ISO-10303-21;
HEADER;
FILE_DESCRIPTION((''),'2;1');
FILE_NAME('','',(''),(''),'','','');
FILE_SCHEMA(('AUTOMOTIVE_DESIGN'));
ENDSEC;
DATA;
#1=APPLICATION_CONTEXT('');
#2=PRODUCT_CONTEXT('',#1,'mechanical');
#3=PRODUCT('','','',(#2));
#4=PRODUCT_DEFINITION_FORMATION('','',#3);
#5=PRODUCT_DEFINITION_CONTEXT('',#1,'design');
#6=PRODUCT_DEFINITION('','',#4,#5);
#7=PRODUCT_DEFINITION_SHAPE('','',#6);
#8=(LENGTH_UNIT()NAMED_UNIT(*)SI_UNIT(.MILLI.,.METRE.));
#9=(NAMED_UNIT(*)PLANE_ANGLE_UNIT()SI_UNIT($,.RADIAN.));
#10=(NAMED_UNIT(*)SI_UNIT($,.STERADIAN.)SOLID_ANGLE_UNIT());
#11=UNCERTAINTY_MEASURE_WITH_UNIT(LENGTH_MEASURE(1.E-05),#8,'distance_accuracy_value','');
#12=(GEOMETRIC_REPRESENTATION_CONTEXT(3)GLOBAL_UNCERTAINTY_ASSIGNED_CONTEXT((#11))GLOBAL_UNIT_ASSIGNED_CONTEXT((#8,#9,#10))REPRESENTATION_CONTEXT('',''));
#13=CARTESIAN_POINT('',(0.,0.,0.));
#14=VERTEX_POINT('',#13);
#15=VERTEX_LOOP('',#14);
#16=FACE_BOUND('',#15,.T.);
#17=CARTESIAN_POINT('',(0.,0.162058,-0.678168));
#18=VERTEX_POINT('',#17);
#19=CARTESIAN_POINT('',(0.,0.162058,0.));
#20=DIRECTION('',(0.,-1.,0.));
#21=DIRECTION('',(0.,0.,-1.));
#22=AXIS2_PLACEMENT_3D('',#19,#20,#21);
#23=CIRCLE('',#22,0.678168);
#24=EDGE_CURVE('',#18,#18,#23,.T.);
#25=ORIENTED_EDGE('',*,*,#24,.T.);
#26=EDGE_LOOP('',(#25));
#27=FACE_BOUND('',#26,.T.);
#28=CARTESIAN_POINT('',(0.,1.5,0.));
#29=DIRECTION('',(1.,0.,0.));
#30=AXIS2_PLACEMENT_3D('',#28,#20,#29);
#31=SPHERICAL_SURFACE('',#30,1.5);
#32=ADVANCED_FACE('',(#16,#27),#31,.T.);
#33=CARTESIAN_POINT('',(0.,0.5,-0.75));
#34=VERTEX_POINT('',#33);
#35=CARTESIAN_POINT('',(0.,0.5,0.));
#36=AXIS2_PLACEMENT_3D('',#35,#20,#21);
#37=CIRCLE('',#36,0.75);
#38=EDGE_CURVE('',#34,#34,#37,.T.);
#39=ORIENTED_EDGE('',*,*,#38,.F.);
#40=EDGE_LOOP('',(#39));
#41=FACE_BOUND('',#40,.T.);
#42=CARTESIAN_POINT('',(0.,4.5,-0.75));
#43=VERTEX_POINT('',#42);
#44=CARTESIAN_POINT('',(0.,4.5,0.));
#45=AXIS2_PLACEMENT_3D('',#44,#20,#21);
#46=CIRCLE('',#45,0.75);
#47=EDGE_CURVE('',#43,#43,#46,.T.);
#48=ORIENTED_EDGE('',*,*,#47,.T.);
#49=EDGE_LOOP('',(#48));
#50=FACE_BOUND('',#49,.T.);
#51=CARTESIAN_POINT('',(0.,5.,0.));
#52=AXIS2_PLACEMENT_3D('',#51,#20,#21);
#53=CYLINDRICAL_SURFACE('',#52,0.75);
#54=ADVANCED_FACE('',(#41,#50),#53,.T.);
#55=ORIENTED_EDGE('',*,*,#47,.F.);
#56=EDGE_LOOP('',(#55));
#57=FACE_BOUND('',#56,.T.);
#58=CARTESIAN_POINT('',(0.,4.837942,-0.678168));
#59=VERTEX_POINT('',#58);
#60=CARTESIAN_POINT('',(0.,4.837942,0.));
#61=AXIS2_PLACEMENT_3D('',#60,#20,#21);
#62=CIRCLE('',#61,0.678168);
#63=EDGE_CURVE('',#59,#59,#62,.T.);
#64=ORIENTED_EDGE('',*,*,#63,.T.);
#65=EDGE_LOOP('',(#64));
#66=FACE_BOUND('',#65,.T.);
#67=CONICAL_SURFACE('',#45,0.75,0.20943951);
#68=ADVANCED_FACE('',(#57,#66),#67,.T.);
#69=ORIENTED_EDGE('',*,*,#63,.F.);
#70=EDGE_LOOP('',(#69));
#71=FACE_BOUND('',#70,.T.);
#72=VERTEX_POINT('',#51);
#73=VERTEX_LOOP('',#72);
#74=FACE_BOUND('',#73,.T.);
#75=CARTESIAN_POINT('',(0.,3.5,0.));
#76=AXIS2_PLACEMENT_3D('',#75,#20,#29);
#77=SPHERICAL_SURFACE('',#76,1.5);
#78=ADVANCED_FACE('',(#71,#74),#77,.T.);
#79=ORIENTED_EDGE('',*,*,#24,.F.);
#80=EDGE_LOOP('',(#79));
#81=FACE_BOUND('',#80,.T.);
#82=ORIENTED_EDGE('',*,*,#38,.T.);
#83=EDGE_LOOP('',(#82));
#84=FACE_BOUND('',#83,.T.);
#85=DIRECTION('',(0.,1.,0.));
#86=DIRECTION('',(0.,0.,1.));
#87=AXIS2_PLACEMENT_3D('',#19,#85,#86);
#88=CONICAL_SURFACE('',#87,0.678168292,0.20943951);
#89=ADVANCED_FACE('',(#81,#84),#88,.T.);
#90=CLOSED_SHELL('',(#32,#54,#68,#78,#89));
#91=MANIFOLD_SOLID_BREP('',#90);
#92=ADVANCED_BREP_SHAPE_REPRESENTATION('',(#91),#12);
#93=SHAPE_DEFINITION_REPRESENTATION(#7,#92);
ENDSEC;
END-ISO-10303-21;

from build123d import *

# Parameters (mm, degrees)
SKETCH1_R           = 0.75
BOSS_EXTRUDE1_DEPTH = 5


with BuildPart() as part:
    # Sketch1 → Boss-Extrude1 (new body)
    with BuildSketch(Plane(origin=(0, 0, 0), x_dir=(1, 0, 0), z_dir=(0, 1, 0))):
        Circle(SKETCH1_R)
    extrude(amount=BOSS_EXTRUDE1_DEPTH)

    # Sketch2 → Cut-Revolve2 (revolve, cut)
    with BuildSketch(Plane.XY):
        with BuildLine():
            Line((0.75, 4.799038106), (0.75, 5.1))
            Line((0.75, 5.1), (0, 5.1))
            Line((0, 5.1), (0, 5))
            ThreePointArc((0, 5), (0.388228568, 4.948888739), (0.75, 4.799038106))
        make_face()
        with BuildLine():
            Line((0.75, -0.1), (0, -0.1))
            Line((0, -0.1), (0, 0))
            ThreePointArc((0, 0), (0.388228568, 0.051111261), (0.75, 0.200961894))
            Line((0.75, 0.200961894), (0.75, -0.1))
        make_face()
    revolve(axis=Axis((0, 0, 0), (0, 1, 0)), mode=Mode.SUBTRACT)

    # Sketch3 → Cut-Revolve3 (revolve, cut)
    with BuildSketch(Plane.XY):
        with BuildLine():
            Line((-0.75, 4.5), (-0.678168292, 4.837941616))
            ThreePointArc((-0.678168292, 4.837941616), (-0.714349031, 4.818978947), (-0.75, 4.799038106))
            Line((-0.75, 4.799038106), (-0.75, 4.5))
        make_face()
        with BuildLine():
            Line((-0.75, 0.200961894), (-0.75, 0.5))
            Line((-0.75, 0.5), (-0.678168292, 0.162058384))
            ThreePointArc((-0.678168292, 0.162058384), (-0.714349031, 0.181021053), (-0.75, 0.200961894))
        make_face()
    revolve(axis=Axis((0, 0, 0), (0, 1, 0)), mode=Mode.SUBTRACT)


solid = part.part
